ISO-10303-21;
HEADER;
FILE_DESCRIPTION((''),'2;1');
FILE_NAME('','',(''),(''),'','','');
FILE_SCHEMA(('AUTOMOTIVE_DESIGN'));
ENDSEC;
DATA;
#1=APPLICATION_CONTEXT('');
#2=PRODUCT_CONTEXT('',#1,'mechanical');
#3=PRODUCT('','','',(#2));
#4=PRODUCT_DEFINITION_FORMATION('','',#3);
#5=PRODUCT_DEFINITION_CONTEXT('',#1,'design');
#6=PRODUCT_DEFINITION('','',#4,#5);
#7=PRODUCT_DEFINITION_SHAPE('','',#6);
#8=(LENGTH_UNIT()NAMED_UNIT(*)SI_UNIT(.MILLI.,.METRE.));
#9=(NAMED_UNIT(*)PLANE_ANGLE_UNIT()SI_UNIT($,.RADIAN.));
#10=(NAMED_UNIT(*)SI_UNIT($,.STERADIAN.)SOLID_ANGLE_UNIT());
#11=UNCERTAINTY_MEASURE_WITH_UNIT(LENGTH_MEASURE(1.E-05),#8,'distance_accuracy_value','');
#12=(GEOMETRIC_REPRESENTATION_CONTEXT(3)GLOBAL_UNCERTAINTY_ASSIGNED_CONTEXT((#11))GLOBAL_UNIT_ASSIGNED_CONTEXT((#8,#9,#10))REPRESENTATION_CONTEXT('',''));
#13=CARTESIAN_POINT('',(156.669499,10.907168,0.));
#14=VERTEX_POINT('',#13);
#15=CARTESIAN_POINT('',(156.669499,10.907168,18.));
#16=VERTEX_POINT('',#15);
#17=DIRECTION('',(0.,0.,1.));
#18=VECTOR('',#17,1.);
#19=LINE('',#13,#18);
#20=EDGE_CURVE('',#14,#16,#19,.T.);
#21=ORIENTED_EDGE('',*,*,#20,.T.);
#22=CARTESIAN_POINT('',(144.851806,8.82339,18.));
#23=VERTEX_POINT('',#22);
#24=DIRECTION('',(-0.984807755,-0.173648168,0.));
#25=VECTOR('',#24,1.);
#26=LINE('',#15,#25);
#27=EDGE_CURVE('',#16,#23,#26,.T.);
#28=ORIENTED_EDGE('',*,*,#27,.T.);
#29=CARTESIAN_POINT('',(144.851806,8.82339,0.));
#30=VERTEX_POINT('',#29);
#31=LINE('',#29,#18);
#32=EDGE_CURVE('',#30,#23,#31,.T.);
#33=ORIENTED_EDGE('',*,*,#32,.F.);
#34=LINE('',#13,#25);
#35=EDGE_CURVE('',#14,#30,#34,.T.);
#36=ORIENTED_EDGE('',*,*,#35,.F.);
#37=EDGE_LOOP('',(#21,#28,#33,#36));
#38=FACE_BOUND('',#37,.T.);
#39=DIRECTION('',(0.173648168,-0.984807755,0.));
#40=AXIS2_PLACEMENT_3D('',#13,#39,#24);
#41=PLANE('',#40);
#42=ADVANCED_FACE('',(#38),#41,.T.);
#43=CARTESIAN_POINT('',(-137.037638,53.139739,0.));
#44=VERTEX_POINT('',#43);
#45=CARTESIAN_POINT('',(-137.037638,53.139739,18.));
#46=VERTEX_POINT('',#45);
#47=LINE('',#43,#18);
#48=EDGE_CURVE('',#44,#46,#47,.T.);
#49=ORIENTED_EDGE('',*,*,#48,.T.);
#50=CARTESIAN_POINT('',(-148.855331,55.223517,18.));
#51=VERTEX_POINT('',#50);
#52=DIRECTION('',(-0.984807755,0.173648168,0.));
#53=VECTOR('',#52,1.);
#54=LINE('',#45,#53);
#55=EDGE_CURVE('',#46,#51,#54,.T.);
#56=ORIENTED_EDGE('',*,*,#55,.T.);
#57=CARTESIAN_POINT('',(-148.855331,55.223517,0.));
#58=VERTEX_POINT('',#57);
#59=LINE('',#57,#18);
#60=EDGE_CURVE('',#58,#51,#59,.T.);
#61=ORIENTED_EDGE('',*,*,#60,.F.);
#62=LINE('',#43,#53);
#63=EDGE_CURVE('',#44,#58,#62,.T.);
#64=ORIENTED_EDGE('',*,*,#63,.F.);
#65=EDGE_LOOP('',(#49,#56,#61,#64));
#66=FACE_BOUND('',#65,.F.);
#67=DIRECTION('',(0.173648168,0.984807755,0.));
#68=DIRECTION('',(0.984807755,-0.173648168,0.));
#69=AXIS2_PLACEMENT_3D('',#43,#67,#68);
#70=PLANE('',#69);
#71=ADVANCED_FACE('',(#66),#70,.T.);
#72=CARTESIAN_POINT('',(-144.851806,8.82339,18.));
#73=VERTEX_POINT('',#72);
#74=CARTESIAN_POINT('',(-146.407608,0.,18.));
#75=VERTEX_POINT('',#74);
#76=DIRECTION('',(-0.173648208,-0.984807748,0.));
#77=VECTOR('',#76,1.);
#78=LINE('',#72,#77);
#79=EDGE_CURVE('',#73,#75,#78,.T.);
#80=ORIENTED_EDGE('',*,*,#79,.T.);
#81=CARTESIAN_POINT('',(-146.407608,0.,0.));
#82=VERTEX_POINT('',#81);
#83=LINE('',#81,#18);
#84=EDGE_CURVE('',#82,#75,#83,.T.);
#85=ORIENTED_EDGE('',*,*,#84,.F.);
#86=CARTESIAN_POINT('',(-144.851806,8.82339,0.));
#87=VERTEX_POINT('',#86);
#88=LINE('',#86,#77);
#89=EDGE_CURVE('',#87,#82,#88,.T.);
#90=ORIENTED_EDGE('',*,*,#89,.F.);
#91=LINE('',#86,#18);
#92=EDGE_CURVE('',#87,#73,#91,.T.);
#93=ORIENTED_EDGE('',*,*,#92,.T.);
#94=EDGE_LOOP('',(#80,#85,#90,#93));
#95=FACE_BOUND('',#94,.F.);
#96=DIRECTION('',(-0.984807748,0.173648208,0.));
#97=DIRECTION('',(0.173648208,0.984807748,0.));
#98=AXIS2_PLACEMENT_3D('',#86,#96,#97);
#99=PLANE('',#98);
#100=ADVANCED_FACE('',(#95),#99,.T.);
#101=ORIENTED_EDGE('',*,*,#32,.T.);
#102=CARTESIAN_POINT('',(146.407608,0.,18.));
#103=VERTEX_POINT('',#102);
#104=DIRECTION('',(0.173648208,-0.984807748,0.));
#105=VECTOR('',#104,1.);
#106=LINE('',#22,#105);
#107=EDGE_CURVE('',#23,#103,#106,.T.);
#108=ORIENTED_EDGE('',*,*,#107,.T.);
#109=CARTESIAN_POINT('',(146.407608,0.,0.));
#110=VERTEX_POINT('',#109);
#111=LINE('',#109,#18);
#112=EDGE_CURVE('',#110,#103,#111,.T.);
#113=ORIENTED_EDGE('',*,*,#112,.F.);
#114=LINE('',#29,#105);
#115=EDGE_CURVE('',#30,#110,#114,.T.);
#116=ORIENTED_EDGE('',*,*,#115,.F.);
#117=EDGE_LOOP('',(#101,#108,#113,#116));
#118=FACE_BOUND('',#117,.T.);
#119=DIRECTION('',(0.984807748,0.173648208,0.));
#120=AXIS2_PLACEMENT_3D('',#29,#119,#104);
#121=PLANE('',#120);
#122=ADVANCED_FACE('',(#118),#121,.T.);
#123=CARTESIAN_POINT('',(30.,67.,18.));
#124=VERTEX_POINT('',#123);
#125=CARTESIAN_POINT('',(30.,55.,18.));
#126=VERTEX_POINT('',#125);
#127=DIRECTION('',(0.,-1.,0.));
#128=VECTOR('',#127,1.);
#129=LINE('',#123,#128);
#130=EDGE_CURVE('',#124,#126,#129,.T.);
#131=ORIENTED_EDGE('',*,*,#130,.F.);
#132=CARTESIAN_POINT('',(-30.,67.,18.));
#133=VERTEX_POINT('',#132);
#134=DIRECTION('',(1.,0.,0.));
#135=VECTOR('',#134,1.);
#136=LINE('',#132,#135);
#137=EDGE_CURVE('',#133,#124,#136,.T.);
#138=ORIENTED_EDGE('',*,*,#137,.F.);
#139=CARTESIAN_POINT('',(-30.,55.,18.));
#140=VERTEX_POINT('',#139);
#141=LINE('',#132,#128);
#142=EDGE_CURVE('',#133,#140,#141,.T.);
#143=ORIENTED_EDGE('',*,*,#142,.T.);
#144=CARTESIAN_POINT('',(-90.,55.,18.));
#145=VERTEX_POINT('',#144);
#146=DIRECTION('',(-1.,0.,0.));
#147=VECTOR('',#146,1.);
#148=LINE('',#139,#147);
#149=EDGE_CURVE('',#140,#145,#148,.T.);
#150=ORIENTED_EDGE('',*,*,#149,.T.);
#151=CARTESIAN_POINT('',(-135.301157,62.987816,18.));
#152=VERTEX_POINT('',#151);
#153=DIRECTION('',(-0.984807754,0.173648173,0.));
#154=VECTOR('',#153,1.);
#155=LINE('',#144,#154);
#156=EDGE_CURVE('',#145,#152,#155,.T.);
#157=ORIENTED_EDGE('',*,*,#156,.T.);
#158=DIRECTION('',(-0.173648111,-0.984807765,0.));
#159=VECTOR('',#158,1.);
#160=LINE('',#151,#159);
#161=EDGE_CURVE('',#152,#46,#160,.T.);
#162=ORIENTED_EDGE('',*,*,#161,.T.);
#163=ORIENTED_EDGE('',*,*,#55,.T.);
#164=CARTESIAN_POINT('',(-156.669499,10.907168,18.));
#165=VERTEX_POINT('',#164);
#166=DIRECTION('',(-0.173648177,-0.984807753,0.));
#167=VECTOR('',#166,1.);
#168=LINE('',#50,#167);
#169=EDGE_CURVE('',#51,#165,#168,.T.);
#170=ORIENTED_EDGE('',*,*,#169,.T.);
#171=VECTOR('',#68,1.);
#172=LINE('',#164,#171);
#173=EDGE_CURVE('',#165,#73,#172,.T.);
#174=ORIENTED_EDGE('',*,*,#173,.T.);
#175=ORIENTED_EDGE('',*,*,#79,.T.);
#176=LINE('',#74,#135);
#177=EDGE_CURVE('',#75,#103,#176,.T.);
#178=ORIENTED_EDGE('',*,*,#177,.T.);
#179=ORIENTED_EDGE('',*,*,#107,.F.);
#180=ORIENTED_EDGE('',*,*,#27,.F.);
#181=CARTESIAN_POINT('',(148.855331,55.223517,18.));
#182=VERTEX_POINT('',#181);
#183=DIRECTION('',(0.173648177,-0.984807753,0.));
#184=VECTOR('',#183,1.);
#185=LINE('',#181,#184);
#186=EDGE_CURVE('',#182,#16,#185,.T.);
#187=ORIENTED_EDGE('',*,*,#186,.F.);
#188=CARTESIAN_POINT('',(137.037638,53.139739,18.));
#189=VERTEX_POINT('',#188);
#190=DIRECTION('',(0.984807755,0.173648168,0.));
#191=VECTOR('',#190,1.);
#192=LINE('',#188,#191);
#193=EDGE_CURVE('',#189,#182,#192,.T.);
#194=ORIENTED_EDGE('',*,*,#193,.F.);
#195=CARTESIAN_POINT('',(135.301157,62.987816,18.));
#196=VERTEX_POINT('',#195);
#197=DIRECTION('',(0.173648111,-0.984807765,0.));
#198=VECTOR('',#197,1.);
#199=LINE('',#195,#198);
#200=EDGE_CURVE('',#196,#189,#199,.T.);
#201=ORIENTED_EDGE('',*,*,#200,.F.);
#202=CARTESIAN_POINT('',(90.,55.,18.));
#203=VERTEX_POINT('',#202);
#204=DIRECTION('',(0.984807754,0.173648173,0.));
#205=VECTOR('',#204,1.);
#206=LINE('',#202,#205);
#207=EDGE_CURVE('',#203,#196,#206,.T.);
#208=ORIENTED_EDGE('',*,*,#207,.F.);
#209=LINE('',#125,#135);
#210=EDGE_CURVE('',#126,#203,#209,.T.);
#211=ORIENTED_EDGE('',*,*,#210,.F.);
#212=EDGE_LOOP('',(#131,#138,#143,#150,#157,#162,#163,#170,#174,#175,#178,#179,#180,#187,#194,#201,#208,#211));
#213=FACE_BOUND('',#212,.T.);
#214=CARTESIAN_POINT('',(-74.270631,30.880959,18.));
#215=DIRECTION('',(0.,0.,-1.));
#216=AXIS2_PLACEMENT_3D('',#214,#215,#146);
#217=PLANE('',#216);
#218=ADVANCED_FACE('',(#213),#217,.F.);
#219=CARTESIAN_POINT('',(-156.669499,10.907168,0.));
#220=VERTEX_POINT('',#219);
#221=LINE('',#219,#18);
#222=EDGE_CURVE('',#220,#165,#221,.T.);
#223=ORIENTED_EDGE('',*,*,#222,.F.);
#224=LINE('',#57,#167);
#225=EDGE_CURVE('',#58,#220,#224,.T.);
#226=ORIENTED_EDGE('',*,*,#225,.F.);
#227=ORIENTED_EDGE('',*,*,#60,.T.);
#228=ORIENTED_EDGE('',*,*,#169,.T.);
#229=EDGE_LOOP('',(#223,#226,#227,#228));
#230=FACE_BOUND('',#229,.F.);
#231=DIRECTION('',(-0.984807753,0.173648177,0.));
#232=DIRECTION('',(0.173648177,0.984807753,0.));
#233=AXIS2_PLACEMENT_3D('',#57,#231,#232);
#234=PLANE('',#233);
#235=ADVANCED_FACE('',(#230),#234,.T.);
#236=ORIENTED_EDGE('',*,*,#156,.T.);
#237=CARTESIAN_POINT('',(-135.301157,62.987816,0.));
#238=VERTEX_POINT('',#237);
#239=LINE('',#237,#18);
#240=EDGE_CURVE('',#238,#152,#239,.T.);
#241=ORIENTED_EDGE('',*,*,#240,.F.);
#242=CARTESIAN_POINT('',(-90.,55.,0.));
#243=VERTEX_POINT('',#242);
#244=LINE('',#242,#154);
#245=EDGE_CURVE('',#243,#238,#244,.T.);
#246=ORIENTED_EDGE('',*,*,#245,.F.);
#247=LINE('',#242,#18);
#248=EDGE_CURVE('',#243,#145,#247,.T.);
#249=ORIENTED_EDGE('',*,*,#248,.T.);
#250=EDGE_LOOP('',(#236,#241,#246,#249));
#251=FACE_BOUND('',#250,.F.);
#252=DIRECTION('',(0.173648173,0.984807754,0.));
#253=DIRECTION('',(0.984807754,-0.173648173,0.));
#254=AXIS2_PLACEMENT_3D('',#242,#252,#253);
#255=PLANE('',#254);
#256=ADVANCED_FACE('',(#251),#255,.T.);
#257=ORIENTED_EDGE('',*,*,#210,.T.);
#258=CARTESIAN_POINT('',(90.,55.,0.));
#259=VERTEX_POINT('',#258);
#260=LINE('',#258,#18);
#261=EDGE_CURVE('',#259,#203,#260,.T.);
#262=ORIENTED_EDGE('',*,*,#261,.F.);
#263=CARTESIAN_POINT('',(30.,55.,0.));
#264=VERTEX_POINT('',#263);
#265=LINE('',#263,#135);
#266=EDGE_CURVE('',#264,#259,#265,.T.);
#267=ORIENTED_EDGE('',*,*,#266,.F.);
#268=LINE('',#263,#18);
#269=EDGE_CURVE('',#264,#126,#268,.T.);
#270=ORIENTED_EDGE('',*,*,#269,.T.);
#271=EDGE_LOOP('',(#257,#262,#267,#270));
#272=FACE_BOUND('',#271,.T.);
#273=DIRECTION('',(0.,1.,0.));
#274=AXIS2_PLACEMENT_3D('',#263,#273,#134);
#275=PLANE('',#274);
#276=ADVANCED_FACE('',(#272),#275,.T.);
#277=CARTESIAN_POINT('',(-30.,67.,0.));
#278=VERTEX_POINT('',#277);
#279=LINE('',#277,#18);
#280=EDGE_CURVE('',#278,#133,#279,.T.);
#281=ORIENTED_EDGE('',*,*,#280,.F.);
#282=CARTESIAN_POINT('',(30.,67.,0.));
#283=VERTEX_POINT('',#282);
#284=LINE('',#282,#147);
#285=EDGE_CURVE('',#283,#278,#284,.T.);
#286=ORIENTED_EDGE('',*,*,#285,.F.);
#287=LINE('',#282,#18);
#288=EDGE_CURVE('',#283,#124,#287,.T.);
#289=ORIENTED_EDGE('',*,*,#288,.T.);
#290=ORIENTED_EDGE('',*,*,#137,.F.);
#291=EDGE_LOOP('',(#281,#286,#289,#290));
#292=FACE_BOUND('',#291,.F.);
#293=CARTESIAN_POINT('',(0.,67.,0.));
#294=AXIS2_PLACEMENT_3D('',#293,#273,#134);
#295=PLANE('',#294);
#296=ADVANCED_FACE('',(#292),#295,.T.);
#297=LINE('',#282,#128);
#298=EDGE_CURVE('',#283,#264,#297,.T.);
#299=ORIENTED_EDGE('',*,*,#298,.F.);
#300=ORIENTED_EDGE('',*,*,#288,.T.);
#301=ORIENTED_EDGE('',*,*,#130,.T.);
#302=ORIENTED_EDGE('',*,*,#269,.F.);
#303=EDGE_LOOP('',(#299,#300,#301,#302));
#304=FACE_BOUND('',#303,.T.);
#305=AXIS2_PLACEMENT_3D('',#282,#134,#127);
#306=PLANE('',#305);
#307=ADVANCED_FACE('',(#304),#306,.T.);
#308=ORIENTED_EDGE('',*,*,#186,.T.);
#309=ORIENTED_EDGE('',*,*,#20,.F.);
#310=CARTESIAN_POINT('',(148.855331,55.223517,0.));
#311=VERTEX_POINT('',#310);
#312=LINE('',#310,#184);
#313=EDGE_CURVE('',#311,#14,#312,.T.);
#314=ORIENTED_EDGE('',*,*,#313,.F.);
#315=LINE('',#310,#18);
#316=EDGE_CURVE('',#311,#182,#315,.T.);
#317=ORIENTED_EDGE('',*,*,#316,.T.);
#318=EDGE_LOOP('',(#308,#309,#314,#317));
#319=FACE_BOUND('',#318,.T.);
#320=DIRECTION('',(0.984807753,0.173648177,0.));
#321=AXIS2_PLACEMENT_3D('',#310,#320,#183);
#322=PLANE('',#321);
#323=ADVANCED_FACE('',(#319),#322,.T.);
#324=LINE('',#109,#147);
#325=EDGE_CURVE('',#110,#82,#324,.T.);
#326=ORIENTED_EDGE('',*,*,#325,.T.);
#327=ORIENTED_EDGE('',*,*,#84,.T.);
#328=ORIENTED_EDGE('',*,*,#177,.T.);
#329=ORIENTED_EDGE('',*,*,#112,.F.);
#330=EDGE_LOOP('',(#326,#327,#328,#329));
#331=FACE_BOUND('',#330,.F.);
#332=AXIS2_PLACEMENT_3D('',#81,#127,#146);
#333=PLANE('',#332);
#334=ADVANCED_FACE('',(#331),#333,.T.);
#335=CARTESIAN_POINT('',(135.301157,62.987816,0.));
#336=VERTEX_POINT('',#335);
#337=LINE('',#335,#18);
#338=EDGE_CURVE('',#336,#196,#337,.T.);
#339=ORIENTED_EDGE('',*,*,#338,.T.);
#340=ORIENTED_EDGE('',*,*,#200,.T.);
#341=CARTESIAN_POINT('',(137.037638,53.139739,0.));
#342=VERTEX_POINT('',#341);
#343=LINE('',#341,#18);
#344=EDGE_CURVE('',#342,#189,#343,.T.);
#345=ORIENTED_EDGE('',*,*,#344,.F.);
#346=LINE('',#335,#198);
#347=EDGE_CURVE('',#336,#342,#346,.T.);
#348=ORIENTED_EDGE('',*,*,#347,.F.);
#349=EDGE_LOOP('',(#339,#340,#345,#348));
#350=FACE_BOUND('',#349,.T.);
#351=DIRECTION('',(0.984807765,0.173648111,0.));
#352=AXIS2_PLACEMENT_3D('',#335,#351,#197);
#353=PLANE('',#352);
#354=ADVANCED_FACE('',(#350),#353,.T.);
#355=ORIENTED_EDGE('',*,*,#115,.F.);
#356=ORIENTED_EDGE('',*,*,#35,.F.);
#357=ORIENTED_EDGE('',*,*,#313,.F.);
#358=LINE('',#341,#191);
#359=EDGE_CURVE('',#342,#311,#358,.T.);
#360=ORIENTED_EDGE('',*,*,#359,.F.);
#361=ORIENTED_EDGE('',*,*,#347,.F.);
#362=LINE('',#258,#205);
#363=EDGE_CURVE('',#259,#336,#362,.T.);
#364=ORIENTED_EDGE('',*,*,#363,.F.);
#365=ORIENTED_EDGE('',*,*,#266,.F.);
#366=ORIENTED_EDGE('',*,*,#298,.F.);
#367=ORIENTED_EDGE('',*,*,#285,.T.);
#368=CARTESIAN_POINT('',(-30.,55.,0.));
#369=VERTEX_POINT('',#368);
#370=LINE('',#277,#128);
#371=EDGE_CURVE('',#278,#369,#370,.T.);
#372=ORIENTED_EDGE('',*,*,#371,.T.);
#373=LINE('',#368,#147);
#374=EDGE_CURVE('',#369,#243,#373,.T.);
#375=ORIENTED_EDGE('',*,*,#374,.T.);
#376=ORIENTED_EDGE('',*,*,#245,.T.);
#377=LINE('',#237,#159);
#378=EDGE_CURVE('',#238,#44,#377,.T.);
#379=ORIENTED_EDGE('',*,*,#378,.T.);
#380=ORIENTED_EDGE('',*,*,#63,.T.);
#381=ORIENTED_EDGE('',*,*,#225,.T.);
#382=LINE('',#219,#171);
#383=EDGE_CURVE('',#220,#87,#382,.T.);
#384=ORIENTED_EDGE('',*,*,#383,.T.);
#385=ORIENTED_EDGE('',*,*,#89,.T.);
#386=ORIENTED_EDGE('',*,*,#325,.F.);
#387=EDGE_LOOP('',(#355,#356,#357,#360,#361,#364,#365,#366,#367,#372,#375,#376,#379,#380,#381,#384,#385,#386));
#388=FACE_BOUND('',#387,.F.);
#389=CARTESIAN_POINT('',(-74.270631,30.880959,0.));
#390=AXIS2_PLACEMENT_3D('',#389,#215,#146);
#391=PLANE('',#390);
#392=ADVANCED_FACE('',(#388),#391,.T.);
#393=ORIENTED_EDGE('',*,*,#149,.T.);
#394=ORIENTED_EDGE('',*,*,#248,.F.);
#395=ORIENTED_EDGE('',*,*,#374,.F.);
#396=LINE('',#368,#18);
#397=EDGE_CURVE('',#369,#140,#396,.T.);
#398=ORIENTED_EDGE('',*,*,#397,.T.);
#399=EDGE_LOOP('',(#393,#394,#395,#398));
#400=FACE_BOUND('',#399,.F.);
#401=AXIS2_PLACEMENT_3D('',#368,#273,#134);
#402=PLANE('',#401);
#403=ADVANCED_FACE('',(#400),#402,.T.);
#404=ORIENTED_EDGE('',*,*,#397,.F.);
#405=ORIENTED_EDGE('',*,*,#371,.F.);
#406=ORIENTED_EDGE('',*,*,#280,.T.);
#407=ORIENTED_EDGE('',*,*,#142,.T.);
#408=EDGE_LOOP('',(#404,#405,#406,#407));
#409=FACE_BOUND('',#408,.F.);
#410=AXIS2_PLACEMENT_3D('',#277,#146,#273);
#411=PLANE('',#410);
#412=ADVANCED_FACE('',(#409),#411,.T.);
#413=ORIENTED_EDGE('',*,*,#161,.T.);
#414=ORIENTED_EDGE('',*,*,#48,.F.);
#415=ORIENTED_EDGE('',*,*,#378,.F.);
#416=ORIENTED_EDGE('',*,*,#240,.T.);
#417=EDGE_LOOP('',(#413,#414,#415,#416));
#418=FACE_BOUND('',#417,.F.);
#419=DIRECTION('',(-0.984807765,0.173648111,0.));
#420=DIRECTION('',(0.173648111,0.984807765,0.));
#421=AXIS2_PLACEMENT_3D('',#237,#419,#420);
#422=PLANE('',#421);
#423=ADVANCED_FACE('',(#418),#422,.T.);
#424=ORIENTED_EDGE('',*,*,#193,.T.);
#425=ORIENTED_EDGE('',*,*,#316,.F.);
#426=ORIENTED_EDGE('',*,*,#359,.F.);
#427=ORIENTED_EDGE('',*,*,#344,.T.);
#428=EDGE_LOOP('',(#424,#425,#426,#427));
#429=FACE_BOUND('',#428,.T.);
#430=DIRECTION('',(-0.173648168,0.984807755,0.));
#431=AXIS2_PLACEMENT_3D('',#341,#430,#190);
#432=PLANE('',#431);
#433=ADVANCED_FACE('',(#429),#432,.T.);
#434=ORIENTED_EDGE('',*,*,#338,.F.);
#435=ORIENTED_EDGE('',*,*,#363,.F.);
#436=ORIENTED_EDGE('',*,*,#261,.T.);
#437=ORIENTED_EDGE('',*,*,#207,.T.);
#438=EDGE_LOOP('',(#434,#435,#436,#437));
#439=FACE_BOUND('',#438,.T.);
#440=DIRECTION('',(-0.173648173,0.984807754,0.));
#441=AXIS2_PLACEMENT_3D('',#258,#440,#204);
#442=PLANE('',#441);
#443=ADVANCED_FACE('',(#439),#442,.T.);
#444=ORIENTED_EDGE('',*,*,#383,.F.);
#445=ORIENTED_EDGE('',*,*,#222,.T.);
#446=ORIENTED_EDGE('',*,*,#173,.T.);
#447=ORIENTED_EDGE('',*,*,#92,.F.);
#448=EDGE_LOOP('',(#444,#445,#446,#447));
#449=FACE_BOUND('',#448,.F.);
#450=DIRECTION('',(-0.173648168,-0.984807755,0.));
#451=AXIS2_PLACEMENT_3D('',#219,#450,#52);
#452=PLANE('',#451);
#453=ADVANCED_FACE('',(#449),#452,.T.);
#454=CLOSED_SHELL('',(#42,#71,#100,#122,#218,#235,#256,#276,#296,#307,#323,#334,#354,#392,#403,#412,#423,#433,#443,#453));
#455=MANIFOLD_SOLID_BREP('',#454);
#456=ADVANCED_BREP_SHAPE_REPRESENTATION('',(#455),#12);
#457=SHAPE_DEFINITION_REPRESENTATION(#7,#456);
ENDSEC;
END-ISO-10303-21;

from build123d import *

# Parameters (mm, degrees)
PAD_DEPTH = 18


with BuildPart() as part:
    # Sketch → Pad (new body)
    with BuildSketch(Plane.XY):
        Polygon((0, 67), (30, 67), (30, 55), (90, 55), (135.301157, 62.987816), (137.037638, 53.139739), (148.855331, 55.223517), (156.669499, 10.907168), (144.851806, 8.82339), (146.407608, 0), (0, 0), align=None)
    pad = extrude(amount=PAD_DEPTH)

    # Mirrored: Pad across Sketch V_Axis
    add(pad.mirror(Plane(origin=(0, 0, 0), x_dir=(0, 0, 1), z_dir=(1, 0, 0))))


solid = part.part
